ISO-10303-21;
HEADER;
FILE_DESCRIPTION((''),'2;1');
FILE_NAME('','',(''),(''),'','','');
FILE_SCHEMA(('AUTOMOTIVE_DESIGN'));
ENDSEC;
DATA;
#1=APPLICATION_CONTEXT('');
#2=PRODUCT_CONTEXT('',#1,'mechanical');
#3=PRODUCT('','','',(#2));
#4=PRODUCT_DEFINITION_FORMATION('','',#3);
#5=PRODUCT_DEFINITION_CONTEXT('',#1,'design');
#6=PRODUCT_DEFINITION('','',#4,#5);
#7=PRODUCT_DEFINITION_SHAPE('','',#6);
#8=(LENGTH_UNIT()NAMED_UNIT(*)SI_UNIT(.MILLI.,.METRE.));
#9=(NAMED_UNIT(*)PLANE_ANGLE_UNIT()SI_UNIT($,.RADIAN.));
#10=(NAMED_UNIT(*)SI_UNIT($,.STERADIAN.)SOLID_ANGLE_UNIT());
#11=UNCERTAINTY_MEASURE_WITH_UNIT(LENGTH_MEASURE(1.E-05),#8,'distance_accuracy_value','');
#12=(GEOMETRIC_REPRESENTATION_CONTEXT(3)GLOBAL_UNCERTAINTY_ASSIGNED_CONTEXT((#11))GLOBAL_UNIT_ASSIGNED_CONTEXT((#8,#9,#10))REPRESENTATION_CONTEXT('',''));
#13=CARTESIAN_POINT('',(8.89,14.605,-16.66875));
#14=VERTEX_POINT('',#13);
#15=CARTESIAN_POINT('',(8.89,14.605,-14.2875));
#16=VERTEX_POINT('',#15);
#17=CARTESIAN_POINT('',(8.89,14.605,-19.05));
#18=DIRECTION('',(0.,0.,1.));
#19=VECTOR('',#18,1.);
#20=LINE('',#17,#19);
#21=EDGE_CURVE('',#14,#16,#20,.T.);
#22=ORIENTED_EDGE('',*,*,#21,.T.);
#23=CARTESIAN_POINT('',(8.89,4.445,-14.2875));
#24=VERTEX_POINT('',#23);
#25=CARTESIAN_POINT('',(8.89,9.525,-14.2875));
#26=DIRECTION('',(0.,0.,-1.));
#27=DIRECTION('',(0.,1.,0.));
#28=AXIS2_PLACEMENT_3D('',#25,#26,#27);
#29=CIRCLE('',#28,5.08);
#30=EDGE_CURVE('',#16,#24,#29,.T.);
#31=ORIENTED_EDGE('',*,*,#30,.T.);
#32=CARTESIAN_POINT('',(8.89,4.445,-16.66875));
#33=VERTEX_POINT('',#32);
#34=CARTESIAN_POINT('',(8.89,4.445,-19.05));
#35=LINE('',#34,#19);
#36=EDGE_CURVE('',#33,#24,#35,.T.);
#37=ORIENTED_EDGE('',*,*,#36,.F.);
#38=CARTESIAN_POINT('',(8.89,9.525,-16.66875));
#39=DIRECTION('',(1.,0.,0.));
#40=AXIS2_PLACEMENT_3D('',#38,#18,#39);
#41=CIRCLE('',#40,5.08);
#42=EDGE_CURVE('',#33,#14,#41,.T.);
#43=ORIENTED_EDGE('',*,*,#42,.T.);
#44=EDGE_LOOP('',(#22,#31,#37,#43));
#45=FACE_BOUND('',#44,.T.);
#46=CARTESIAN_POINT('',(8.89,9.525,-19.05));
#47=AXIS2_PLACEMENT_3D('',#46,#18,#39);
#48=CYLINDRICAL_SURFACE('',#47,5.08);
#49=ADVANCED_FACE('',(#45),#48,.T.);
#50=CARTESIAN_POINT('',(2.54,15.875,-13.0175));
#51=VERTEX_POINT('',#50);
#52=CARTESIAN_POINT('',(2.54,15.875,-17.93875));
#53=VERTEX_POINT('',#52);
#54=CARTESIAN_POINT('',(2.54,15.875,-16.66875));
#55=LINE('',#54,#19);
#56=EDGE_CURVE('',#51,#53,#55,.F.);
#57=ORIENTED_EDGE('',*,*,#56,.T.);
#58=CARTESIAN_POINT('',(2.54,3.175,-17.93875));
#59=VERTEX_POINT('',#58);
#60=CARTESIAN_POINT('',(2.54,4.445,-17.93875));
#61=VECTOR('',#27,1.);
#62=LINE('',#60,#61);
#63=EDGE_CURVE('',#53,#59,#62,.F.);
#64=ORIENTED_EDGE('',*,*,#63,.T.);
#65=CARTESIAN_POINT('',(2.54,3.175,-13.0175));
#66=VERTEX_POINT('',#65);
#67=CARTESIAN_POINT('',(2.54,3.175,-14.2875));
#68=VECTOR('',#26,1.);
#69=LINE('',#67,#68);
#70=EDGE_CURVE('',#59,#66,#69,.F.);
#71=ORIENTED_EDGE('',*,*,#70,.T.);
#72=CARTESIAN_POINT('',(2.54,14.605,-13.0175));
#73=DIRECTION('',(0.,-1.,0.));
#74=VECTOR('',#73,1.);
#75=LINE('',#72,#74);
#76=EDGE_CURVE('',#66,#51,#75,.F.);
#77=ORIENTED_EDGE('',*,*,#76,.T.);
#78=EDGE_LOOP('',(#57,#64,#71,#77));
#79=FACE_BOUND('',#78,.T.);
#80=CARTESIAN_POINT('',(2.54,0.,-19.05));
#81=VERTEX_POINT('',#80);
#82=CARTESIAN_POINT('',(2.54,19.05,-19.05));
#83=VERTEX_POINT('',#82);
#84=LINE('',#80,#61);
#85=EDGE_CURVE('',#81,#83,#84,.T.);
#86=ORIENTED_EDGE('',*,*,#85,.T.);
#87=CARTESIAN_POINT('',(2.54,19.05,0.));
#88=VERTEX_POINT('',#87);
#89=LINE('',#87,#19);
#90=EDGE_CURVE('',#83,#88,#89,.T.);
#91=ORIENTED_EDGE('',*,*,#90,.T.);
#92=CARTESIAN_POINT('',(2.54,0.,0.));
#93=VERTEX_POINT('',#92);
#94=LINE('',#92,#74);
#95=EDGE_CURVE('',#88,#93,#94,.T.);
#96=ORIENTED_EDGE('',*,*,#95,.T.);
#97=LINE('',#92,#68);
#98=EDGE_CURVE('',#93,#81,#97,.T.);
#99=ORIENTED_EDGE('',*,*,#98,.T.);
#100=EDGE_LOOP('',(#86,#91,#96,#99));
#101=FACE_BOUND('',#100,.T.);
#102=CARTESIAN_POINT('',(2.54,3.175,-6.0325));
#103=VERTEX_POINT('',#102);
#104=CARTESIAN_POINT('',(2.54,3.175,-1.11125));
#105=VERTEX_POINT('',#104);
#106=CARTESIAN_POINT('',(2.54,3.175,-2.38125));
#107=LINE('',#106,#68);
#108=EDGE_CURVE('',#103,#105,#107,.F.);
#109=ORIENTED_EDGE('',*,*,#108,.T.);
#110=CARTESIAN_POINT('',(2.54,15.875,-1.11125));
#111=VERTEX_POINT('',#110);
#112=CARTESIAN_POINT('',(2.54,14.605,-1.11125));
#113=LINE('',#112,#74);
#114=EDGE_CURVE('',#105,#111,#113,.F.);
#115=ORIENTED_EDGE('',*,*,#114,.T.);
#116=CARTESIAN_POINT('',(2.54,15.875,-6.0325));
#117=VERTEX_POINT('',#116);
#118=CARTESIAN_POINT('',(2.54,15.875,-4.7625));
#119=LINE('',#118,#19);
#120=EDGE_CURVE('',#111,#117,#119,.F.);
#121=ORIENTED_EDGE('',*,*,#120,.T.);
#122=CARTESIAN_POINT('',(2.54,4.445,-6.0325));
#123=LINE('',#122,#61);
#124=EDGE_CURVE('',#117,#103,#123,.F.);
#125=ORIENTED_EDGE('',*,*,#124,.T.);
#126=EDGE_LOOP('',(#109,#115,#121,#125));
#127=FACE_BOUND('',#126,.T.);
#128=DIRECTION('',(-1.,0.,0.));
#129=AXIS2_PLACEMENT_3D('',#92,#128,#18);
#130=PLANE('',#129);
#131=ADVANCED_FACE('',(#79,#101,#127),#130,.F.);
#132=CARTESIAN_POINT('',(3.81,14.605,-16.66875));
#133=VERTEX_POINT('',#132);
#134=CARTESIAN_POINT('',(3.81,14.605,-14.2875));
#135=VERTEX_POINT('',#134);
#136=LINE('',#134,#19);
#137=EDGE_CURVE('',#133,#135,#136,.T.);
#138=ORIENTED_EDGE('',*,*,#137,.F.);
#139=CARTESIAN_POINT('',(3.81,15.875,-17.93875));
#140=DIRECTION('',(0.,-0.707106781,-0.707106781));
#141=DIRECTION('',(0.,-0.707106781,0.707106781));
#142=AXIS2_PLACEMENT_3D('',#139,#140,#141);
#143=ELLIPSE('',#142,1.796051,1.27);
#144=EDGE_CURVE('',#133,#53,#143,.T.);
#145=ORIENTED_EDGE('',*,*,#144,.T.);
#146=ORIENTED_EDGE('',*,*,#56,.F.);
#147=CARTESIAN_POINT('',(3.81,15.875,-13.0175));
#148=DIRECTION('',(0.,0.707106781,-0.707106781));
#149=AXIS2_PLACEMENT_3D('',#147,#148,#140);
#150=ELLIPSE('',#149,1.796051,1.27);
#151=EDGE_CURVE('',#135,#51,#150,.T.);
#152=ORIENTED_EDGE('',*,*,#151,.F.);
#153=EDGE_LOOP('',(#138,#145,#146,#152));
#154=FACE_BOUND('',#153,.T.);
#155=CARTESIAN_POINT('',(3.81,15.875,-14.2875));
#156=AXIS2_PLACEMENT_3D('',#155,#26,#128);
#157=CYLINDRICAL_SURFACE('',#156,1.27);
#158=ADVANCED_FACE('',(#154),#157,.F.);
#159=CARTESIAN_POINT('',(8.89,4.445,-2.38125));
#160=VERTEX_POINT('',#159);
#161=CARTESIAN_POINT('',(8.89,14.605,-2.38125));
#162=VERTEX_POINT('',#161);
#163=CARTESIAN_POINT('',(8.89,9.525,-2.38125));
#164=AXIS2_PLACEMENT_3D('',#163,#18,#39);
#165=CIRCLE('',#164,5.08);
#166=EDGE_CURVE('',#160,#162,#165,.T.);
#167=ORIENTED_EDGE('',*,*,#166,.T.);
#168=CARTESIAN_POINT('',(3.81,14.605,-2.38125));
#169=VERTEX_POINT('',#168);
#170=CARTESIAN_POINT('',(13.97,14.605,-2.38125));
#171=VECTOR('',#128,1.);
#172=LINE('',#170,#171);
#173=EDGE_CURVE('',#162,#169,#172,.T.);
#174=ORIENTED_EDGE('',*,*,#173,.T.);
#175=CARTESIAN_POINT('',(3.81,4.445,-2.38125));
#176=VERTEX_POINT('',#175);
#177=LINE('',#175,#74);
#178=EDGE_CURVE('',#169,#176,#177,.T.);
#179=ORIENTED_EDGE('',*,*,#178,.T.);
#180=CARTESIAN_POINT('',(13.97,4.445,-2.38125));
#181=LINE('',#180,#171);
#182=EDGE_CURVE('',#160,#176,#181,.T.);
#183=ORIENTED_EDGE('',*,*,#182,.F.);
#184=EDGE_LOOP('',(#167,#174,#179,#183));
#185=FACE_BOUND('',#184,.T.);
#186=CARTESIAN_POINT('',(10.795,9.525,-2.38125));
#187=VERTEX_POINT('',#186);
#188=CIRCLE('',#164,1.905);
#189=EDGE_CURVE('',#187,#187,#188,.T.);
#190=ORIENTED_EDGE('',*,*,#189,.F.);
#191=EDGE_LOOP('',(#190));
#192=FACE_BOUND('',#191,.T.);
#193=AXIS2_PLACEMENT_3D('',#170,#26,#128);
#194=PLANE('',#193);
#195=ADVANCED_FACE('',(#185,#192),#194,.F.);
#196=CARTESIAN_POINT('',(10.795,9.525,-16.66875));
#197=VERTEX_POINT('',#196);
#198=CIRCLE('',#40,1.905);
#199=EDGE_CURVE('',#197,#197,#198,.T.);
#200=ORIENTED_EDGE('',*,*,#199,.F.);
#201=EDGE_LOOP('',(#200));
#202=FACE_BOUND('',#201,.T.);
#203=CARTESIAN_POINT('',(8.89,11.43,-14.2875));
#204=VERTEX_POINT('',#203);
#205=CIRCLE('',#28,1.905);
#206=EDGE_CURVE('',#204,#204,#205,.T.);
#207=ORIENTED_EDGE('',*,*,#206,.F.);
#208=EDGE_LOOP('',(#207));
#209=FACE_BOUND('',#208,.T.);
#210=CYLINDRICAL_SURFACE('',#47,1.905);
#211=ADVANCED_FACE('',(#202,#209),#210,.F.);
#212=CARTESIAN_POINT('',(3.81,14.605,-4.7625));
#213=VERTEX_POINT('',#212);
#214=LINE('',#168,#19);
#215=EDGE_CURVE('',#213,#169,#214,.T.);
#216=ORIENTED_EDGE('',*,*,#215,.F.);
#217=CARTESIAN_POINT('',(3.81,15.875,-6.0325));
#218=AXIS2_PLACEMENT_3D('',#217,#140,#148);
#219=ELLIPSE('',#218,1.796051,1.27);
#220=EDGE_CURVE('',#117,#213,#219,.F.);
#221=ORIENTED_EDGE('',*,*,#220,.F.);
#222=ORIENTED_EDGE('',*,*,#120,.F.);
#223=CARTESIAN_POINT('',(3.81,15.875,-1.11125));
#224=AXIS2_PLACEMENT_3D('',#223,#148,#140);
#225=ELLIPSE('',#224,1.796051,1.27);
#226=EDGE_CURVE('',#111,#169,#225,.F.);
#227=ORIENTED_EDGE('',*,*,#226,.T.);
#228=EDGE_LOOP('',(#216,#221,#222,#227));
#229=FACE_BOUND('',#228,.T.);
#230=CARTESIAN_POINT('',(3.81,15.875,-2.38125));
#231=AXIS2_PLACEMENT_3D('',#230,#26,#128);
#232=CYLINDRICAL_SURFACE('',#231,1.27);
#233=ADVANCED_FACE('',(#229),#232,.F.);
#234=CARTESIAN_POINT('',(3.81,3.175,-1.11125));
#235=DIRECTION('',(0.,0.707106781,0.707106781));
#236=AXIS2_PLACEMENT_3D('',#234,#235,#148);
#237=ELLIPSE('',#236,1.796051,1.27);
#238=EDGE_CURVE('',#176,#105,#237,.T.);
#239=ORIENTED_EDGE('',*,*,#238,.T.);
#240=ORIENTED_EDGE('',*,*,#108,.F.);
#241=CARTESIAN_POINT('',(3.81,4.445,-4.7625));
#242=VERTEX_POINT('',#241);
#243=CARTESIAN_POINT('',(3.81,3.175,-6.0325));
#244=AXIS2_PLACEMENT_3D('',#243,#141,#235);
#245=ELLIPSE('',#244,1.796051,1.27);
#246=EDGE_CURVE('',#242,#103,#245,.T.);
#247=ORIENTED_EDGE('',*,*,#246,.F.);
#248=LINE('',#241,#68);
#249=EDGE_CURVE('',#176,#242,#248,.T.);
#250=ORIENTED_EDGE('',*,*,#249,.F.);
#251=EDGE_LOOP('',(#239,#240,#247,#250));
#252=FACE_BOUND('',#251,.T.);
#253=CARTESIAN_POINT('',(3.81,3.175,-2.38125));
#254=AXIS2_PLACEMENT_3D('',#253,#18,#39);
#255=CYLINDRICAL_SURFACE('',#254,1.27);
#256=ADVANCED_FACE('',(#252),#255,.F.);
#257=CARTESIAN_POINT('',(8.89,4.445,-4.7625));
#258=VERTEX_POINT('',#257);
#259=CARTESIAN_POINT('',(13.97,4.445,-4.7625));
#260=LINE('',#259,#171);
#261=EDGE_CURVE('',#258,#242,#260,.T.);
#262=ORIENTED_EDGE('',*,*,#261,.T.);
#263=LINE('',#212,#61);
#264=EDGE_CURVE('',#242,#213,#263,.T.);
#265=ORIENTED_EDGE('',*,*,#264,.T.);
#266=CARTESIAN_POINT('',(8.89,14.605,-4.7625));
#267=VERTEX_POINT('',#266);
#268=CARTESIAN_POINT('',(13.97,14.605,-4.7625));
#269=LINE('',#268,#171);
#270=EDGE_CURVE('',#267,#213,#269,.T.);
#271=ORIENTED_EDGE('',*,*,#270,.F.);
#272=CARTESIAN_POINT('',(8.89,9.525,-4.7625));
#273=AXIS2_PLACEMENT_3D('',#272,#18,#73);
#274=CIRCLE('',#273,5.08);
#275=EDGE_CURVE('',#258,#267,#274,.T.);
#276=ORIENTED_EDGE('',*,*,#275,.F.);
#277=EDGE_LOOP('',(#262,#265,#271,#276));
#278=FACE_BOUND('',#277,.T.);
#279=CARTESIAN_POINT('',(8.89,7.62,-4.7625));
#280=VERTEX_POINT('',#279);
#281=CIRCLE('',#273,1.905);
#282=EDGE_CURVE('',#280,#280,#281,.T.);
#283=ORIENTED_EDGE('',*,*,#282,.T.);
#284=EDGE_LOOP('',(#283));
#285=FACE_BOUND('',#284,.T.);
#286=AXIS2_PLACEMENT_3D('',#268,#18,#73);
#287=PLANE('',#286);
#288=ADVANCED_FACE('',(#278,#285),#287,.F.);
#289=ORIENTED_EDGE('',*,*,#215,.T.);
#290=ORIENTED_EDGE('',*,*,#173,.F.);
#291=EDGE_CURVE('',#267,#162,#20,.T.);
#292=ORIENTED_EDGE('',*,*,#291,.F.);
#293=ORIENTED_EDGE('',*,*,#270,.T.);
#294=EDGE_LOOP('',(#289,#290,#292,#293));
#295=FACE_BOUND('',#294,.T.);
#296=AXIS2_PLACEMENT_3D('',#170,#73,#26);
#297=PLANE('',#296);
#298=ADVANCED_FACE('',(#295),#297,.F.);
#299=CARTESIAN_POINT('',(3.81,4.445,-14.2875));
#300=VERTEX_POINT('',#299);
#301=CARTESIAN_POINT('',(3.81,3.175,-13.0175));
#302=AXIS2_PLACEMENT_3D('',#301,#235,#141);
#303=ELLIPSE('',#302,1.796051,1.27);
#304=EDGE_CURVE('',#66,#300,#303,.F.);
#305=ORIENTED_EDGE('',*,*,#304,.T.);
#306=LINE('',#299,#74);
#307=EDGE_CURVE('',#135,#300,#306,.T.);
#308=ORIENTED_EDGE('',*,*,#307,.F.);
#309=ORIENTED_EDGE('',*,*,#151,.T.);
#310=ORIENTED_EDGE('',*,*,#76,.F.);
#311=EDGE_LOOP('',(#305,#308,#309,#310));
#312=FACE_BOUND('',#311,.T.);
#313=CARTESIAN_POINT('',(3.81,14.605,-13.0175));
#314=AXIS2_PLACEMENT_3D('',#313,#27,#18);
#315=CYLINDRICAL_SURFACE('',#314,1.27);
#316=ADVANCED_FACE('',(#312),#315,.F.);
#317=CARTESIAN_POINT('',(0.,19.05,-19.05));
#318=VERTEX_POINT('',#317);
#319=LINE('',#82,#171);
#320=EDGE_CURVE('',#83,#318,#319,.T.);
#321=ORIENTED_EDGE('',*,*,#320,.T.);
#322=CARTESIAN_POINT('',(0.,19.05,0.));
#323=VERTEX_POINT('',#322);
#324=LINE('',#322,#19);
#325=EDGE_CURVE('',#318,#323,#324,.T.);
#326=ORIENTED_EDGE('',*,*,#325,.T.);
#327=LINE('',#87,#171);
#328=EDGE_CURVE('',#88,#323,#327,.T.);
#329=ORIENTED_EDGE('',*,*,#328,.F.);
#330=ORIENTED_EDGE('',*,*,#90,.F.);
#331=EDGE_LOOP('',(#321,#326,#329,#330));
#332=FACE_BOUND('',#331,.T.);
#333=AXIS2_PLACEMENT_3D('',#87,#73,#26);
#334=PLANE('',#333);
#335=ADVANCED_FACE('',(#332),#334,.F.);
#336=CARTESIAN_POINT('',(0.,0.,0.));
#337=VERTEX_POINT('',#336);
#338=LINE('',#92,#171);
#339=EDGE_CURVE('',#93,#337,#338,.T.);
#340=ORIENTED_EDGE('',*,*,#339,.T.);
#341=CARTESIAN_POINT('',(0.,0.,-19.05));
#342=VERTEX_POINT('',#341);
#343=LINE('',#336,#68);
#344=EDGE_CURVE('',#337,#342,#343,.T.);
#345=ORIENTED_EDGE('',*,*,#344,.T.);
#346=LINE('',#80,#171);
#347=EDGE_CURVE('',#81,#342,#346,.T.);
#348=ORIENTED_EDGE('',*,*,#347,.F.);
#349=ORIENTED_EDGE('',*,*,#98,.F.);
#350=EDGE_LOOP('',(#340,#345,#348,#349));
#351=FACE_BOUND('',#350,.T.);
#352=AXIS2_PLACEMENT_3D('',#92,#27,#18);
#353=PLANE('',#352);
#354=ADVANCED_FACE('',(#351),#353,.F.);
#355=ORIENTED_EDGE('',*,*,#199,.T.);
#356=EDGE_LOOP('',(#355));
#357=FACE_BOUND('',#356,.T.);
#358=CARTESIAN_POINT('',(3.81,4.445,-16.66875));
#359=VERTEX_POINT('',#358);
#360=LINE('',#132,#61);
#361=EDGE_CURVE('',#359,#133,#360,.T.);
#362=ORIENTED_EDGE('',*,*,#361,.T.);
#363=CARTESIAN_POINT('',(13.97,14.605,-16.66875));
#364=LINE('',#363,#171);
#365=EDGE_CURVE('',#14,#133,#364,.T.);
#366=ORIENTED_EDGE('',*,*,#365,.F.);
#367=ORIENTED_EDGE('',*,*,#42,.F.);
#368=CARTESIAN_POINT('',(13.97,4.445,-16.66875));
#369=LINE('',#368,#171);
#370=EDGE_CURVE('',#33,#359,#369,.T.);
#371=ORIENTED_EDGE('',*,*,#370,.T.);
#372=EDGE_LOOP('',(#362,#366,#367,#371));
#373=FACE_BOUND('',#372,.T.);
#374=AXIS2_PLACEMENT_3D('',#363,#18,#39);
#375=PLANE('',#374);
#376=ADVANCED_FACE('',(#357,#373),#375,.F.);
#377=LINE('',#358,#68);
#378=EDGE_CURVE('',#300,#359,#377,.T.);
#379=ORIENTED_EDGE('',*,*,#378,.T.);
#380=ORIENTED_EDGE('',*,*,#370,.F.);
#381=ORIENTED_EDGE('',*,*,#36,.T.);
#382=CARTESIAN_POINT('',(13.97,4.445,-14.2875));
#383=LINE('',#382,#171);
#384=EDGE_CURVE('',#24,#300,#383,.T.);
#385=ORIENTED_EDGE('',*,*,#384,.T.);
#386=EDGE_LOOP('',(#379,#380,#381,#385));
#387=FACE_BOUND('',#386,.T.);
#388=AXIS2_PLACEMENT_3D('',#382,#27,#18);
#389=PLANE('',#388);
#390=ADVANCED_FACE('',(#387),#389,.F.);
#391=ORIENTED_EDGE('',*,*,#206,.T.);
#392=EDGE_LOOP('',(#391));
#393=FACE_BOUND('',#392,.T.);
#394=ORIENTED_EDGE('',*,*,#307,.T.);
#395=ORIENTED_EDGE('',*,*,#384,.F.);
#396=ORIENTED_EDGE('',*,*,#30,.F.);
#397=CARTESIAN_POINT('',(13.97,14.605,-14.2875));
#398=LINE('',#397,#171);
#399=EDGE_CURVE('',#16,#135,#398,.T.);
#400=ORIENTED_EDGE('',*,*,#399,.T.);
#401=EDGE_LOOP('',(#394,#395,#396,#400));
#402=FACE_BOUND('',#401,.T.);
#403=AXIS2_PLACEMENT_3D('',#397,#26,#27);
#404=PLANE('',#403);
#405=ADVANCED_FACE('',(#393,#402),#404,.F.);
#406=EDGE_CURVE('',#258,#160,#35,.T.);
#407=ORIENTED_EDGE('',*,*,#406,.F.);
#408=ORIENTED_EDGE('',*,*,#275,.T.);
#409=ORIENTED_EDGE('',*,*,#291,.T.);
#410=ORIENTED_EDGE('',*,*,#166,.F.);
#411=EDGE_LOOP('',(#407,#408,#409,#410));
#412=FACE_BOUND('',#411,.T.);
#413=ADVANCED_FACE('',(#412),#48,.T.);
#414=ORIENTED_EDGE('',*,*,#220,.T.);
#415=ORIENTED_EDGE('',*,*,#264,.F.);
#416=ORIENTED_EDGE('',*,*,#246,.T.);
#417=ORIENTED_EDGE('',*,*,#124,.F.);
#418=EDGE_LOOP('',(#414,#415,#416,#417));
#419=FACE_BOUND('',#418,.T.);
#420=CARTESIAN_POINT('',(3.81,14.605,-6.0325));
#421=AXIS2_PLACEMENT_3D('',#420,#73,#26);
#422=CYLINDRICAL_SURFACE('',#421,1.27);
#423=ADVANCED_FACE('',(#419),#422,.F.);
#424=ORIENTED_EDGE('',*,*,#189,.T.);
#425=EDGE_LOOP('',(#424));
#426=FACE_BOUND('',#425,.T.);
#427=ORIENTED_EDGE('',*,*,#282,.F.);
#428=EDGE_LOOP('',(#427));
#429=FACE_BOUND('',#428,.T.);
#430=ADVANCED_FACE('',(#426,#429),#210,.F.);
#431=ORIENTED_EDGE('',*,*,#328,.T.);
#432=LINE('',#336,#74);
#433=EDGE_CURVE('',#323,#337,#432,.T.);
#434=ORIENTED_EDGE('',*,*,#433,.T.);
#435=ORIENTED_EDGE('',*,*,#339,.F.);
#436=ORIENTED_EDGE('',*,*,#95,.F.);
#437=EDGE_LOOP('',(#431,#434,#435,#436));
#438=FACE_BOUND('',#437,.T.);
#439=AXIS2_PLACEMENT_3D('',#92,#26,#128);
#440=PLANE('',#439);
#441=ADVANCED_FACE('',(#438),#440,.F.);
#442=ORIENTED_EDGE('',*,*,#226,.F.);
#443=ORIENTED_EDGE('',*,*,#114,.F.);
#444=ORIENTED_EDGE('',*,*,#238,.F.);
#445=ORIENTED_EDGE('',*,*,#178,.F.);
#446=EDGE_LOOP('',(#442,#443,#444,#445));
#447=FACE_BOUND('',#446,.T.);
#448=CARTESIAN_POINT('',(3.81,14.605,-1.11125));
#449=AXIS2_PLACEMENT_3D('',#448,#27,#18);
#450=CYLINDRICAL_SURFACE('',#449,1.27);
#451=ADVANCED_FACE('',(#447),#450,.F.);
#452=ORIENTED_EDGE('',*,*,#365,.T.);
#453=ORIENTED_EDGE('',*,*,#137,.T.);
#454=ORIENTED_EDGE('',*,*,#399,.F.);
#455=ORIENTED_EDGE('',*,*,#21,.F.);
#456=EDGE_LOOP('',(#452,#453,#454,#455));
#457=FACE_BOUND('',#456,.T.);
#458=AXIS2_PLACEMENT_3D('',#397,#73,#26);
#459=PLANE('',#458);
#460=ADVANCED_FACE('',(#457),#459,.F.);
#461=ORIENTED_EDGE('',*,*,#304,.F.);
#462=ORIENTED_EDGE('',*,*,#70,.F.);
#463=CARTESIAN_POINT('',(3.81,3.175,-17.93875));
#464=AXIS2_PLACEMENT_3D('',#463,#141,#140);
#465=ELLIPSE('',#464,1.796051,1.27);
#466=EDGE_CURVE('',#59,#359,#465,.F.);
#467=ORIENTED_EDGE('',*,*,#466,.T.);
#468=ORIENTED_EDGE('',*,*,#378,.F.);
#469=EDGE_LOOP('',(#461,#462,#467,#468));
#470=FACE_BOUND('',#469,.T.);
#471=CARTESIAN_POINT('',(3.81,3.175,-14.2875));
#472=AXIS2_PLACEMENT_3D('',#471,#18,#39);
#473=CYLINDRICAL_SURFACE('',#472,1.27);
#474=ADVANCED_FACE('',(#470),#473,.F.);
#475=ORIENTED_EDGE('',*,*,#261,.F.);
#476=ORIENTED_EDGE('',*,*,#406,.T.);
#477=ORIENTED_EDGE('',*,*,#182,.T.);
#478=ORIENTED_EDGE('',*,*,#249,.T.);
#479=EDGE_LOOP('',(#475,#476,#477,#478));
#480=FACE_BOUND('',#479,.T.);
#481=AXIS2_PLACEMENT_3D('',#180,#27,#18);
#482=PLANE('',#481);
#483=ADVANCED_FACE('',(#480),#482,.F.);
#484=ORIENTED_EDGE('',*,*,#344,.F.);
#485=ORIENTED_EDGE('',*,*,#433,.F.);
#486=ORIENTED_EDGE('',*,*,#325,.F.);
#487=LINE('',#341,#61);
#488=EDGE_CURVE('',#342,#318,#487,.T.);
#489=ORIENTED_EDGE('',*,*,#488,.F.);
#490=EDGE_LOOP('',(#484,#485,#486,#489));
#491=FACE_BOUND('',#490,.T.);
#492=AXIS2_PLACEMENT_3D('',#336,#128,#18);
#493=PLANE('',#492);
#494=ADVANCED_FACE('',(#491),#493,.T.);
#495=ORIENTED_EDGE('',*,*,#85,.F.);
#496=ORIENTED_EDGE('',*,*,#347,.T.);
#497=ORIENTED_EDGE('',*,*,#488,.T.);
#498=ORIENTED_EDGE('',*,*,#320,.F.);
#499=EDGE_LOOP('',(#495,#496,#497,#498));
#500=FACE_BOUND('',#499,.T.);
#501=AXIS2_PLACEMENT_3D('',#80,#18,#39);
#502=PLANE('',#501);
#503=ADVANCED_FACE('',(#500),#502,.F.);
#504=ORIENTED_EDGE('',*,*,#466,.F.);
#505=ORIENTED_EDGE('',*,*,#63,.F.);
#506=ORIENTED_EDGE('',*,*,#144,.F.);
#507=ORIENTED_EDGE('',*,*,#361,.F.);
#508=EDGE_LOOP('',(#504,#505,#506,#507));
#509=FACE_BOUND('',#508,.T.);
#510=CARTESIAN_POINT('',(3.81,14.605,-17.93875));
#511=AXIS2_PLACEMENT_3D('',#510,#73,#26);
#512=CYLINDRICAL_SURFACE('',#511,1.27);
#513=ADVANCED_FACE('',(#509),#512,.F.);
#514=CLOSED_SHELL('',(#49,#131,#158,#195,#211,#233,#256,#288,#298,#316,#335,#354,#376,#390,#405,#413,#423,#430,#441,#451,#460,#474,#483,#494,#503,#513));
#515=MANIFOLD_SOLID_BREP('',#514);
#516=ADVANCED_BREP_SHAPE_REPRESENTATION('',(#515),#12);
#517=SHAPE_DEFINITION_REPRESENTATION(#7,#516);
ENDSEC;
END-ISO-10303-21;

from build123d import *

# Parameters (mm, degrees)
SKETCH2_W           = 19.05
SKETCH2_H           = 19.05
BOSS_EXTRUDE2_DEPTH = 2.54
SKETCH3_W           = 2.38125
SKETCH3_H           = 10.16
BOSS_EXTRUDE3_DEPTH = 11.43
CUT_EXTRUDE1_DEPTH  = 29.912119026
SKETCH4_4_R         = 1.905
CUT_EXTRUDE2_DEPTH  = 29.912119026
FILLET3_R           = 1.27


with BuildPart() as part:
    # Sketch2 → Boss-Extrude2 (new body)
    with BuildSketch(Plane(origin=(0, 0, 0), x_dir=(0, 0, -1), z_dir=(1, 0, 0))):
        with Locations((9.525, 9.525)):
            Rectangle(SKETCH2_W, SKETCH2_H)
    extrude(amount=BOSS_EXTRUDE2_DEPTH)

    # Sketch3 → Boss-Extrude3 (add)
    with BuildSketch(Plane(origin=(2.54, 0, 0), x_dir=(0, 0, -1), z_dir=(1, 0, 0))):
        with Locations((3.571875, 9.525)):
            Rectangle(SKETCH3_W, SKETCH3_H)
        with Locations((15.478125, 9.525)):
            Rectangle(SKETCH3_W, SKETCH3_H)
    extrude(amount=BOSS_EXTRUDE3_DEPTH)

    # Sketch4 → Cut-Extrude1 (cut, through all)
    with BuildSketch(Plane.XY.offset(-2.38125)):
        with BuildLine():
            Line((13.97, 14.605), (8.89, 14.605))
            ThreePointArc((8.89, 14.605), (12.482102448, 13.117102448), (13.97, 9.525))
            Line((13.97, 9.525), (13.97, 14.605))
        make_face()
        with BuildLine():
            Line((13.97, 4.445), (13.97, 9.525))
            ThreePointArc((13.97, 9.525), (12.482102448, 5.932897552), (8.89, 4.445))
            Line((8.89, 4.445), (13.97, 4.445))
        make_face()
    extrude(amount=-CUT_EXTRUDE1_DEPTH, mode=Mode.SUBTRACT)

    # Sketch4<4> → Cut-Extrude2 (cut, through all)
    with BuildSketch(Plane.XY.offset(-2.38125)):
        with Locations((8.89, 9.525)):
            Circle(SKETCH4_4_R)
    extrude(amount=-CUT_EXTRUDE2_DEPTH, mode=Mode.SUBTRACT)

    # Fillet3
    fillet3_edges = [part.edges().sort_by_distance(p)[0] for p in [
        (2.54, 9.525, -2.38125),
        (2.54, 4.445, -3.571875),
        (2.54, 9.525, -4.7625),
        (2.54, 14.605, -3.571875),
        (2.54, 9.525, -14.2875),
        (2.54, 4.445, -15.478125),
        (2.54, 9.525, -16.66875),
        (2.54, 14.605, -15.478125),
    ]]
    fillet(fillet3_edges, radius=FILLET3_R)


solid = part.part
